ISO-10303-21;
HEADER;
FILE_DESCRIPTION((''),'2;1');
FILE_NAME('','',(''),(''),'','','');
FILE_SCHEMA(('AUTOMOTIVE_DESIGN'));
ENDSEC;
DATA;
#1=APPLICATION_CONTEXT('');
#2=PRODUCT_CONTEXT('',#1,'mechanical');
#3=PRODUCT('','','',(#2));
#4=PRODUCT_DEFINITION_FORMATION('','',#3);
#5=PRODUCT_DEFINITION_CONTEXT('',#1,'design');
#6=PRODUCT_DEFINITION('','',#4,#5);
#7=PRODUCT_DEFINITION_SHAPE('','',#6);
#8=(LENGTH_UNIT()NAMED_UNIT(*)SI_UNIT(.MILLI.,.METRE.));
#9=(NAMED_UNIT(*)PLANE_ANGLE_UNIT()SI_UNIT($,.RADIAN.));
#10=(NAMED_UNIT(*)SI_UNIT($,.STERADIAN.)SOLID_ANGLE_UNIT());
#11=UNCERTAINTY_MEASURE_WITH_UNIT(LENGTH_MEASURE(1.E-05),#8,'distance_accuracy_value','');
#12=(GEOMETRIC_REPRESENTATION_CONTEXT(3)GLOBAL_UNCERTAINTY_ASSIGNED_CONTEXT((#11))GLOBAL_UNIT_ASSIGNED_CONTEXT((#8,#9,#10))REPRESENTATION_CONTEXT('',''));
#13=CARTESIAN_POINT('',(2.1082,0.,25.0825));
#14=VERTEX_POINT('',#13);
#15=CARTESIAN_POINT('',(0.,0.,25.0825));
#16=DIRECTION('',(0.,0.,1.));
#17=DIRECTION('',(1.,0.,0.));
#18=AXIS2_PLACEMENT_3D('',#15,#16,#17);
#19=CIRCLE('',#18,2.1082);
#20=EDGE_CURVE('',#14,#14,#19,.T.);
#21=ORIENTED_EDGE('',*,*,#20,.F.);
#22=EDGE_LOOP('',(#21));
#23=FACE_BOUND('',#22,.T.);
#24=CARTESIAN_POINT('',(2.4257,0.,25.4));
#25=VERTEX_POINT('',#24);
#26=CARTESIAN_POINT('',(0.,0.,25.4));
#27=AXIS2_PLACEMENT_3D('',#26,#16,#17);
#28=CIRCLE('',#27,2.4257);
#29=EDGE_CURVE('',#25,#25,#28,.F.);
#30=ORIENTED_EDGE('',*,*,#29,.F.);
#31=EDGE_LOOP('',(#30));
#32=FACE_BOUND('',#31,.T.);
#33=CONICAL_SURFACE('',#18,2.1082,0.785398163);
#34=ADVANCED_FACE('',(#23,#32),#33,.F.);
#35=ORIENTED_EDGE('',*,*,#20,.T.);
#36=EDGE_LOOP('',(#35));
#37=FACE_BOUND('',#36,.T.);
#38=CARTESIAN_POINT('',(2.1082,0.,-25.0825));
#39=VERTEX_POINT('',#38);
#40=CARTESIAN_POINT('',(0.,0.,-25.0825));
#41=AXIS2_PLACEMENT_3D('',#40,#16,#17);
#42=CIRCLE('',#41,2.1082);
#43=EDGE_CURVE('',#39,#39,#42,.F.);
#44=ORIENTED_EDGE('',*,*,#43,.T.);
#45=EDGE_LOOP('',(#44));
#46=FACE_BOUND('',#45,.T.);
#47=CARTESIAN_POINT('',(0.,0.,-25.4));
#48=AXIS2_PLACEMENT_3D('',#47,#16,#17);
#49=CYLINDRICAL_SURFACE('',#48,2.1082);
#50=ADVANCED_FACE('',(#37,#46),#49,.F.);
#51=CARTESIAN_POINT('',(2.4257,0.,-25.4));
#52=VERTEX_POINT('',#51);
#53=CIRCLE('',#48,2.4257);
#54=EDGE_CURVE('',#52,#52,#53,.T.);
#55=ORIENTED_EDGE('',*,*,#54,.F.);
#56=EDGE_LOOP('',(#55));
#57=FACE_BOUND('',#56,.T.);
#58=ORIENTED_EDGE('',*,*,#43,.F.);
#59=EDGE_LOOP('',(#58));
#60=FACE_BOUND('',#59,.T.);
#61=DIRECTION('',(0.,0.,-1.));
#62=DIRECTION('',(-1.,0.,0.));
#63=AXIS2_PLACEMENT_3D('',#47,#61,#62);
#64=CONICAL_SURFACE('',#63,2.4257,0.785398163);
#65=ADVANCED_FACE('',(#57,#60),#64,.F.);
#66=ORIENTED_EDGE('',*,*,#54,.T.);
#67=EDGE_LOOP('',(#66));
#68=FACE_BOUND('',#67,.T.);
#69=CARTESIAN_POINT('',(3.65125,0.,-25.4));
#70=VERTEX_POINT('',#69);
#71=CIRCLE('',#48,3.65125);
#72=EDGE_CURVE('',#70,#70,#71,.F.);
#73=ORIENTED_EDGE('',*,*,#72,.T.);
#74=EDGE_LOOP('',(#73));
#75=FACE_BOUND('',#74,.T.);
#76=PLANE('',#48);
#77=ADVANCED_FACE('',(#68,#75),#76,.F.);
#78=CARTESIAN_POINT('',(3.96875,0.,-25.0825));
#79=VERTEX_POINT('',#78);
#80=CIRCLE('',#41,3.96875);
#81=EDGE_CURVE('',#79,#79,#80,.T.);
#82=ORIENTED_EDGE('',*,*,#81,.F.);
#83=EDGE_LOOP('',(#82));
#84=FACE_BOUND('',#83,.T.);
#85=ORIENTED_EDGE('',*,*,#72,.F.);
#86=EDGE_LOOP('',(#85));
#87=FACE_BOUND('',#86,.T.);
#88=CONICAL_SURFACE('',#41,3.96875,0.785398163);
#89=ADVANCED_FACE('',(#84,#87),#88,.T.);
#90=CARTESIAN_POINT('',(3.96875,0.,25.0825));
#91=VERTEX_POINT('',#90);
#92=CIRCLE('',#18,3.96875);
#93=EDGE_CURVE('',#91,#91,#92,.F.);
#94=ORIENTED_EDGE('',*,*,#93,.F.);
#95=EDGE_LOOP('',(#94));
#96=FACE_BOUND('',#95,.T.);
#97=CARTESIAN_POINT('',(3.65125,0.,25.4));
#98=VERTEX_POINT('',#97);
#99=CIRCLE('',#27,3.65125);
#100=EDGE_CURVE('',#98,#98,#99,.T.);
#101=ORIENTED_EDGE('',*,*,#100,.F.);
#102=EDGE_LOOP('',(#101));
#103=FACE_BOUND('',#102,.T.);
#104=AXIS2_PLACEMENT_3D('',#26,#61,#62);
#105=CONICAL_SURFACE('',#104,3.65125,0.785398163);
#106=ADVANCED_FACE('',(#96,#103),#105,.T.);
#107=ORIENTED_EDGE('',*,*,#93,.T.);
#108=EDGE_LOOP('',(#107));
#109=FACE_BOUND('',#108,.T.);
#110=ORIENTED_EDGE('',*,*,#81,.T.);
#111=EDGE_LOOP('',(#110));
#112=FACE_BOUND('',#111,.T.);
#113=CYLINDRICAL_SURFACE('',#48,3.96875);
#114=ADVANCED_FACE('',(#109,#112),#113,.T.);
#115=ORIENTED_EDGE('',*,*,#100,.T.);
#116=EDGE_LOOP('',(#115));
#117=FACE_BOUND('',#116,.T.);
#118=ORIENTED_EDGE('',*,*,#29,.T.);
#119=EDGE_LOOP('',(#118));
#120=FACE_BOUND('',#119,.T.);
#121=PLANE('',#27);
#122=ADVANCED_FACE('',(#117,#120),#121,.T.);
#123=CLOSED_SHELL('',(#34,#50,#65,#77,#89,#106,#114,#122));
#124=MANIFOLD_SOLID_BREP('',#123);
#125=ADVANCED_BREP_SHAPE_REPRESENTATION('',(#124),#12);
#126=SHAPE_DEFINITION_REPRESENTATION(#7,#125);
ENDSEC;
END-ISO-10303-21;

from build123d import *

# Parameters (mm, degrees)
BOSS_EXTRUDE1_DEPTH      = 25.4
BOSS_EXTRUDE1_DEPTH_BACK = 25.4
SKETCH3_R                = 3.96875
SKETCH3_R_2              = 2.1082
CHAMFER1_SIZE            = 0.3175


with BuildPart() as part:
    # Sketch3 → Boss-Extrude1 (new, two sides: drawn at the far end of the back side and taken through both)
    with BuildSketch(Plane.XY.offset(-BOSS_EXTRUDE1_DEPTH_BACK)):
        Circle(SKETCH3_R)
        Circle(SKETCH3_R_2, mode=Mode.SUBTRACT)
    extrude(amount=BOSS_EXTRUDE1_DEPTH + BOSS_EXTRUDE1_DEPTH_BACK)

    # Chamfer1
    chamfer1_edges = [part.edges().sort_by_distance(p)[0] for p in [
        (-3.96875, 0, -25.4),
        (-2.1082, 0, -25.4),
        (-3.96875, 0, 25.4),
        (-2.1082, 0, 25.4),
    ]]
    chamfer(chamfer1_edges, length=CHAMFER1_SIZE)


solid = part.part
